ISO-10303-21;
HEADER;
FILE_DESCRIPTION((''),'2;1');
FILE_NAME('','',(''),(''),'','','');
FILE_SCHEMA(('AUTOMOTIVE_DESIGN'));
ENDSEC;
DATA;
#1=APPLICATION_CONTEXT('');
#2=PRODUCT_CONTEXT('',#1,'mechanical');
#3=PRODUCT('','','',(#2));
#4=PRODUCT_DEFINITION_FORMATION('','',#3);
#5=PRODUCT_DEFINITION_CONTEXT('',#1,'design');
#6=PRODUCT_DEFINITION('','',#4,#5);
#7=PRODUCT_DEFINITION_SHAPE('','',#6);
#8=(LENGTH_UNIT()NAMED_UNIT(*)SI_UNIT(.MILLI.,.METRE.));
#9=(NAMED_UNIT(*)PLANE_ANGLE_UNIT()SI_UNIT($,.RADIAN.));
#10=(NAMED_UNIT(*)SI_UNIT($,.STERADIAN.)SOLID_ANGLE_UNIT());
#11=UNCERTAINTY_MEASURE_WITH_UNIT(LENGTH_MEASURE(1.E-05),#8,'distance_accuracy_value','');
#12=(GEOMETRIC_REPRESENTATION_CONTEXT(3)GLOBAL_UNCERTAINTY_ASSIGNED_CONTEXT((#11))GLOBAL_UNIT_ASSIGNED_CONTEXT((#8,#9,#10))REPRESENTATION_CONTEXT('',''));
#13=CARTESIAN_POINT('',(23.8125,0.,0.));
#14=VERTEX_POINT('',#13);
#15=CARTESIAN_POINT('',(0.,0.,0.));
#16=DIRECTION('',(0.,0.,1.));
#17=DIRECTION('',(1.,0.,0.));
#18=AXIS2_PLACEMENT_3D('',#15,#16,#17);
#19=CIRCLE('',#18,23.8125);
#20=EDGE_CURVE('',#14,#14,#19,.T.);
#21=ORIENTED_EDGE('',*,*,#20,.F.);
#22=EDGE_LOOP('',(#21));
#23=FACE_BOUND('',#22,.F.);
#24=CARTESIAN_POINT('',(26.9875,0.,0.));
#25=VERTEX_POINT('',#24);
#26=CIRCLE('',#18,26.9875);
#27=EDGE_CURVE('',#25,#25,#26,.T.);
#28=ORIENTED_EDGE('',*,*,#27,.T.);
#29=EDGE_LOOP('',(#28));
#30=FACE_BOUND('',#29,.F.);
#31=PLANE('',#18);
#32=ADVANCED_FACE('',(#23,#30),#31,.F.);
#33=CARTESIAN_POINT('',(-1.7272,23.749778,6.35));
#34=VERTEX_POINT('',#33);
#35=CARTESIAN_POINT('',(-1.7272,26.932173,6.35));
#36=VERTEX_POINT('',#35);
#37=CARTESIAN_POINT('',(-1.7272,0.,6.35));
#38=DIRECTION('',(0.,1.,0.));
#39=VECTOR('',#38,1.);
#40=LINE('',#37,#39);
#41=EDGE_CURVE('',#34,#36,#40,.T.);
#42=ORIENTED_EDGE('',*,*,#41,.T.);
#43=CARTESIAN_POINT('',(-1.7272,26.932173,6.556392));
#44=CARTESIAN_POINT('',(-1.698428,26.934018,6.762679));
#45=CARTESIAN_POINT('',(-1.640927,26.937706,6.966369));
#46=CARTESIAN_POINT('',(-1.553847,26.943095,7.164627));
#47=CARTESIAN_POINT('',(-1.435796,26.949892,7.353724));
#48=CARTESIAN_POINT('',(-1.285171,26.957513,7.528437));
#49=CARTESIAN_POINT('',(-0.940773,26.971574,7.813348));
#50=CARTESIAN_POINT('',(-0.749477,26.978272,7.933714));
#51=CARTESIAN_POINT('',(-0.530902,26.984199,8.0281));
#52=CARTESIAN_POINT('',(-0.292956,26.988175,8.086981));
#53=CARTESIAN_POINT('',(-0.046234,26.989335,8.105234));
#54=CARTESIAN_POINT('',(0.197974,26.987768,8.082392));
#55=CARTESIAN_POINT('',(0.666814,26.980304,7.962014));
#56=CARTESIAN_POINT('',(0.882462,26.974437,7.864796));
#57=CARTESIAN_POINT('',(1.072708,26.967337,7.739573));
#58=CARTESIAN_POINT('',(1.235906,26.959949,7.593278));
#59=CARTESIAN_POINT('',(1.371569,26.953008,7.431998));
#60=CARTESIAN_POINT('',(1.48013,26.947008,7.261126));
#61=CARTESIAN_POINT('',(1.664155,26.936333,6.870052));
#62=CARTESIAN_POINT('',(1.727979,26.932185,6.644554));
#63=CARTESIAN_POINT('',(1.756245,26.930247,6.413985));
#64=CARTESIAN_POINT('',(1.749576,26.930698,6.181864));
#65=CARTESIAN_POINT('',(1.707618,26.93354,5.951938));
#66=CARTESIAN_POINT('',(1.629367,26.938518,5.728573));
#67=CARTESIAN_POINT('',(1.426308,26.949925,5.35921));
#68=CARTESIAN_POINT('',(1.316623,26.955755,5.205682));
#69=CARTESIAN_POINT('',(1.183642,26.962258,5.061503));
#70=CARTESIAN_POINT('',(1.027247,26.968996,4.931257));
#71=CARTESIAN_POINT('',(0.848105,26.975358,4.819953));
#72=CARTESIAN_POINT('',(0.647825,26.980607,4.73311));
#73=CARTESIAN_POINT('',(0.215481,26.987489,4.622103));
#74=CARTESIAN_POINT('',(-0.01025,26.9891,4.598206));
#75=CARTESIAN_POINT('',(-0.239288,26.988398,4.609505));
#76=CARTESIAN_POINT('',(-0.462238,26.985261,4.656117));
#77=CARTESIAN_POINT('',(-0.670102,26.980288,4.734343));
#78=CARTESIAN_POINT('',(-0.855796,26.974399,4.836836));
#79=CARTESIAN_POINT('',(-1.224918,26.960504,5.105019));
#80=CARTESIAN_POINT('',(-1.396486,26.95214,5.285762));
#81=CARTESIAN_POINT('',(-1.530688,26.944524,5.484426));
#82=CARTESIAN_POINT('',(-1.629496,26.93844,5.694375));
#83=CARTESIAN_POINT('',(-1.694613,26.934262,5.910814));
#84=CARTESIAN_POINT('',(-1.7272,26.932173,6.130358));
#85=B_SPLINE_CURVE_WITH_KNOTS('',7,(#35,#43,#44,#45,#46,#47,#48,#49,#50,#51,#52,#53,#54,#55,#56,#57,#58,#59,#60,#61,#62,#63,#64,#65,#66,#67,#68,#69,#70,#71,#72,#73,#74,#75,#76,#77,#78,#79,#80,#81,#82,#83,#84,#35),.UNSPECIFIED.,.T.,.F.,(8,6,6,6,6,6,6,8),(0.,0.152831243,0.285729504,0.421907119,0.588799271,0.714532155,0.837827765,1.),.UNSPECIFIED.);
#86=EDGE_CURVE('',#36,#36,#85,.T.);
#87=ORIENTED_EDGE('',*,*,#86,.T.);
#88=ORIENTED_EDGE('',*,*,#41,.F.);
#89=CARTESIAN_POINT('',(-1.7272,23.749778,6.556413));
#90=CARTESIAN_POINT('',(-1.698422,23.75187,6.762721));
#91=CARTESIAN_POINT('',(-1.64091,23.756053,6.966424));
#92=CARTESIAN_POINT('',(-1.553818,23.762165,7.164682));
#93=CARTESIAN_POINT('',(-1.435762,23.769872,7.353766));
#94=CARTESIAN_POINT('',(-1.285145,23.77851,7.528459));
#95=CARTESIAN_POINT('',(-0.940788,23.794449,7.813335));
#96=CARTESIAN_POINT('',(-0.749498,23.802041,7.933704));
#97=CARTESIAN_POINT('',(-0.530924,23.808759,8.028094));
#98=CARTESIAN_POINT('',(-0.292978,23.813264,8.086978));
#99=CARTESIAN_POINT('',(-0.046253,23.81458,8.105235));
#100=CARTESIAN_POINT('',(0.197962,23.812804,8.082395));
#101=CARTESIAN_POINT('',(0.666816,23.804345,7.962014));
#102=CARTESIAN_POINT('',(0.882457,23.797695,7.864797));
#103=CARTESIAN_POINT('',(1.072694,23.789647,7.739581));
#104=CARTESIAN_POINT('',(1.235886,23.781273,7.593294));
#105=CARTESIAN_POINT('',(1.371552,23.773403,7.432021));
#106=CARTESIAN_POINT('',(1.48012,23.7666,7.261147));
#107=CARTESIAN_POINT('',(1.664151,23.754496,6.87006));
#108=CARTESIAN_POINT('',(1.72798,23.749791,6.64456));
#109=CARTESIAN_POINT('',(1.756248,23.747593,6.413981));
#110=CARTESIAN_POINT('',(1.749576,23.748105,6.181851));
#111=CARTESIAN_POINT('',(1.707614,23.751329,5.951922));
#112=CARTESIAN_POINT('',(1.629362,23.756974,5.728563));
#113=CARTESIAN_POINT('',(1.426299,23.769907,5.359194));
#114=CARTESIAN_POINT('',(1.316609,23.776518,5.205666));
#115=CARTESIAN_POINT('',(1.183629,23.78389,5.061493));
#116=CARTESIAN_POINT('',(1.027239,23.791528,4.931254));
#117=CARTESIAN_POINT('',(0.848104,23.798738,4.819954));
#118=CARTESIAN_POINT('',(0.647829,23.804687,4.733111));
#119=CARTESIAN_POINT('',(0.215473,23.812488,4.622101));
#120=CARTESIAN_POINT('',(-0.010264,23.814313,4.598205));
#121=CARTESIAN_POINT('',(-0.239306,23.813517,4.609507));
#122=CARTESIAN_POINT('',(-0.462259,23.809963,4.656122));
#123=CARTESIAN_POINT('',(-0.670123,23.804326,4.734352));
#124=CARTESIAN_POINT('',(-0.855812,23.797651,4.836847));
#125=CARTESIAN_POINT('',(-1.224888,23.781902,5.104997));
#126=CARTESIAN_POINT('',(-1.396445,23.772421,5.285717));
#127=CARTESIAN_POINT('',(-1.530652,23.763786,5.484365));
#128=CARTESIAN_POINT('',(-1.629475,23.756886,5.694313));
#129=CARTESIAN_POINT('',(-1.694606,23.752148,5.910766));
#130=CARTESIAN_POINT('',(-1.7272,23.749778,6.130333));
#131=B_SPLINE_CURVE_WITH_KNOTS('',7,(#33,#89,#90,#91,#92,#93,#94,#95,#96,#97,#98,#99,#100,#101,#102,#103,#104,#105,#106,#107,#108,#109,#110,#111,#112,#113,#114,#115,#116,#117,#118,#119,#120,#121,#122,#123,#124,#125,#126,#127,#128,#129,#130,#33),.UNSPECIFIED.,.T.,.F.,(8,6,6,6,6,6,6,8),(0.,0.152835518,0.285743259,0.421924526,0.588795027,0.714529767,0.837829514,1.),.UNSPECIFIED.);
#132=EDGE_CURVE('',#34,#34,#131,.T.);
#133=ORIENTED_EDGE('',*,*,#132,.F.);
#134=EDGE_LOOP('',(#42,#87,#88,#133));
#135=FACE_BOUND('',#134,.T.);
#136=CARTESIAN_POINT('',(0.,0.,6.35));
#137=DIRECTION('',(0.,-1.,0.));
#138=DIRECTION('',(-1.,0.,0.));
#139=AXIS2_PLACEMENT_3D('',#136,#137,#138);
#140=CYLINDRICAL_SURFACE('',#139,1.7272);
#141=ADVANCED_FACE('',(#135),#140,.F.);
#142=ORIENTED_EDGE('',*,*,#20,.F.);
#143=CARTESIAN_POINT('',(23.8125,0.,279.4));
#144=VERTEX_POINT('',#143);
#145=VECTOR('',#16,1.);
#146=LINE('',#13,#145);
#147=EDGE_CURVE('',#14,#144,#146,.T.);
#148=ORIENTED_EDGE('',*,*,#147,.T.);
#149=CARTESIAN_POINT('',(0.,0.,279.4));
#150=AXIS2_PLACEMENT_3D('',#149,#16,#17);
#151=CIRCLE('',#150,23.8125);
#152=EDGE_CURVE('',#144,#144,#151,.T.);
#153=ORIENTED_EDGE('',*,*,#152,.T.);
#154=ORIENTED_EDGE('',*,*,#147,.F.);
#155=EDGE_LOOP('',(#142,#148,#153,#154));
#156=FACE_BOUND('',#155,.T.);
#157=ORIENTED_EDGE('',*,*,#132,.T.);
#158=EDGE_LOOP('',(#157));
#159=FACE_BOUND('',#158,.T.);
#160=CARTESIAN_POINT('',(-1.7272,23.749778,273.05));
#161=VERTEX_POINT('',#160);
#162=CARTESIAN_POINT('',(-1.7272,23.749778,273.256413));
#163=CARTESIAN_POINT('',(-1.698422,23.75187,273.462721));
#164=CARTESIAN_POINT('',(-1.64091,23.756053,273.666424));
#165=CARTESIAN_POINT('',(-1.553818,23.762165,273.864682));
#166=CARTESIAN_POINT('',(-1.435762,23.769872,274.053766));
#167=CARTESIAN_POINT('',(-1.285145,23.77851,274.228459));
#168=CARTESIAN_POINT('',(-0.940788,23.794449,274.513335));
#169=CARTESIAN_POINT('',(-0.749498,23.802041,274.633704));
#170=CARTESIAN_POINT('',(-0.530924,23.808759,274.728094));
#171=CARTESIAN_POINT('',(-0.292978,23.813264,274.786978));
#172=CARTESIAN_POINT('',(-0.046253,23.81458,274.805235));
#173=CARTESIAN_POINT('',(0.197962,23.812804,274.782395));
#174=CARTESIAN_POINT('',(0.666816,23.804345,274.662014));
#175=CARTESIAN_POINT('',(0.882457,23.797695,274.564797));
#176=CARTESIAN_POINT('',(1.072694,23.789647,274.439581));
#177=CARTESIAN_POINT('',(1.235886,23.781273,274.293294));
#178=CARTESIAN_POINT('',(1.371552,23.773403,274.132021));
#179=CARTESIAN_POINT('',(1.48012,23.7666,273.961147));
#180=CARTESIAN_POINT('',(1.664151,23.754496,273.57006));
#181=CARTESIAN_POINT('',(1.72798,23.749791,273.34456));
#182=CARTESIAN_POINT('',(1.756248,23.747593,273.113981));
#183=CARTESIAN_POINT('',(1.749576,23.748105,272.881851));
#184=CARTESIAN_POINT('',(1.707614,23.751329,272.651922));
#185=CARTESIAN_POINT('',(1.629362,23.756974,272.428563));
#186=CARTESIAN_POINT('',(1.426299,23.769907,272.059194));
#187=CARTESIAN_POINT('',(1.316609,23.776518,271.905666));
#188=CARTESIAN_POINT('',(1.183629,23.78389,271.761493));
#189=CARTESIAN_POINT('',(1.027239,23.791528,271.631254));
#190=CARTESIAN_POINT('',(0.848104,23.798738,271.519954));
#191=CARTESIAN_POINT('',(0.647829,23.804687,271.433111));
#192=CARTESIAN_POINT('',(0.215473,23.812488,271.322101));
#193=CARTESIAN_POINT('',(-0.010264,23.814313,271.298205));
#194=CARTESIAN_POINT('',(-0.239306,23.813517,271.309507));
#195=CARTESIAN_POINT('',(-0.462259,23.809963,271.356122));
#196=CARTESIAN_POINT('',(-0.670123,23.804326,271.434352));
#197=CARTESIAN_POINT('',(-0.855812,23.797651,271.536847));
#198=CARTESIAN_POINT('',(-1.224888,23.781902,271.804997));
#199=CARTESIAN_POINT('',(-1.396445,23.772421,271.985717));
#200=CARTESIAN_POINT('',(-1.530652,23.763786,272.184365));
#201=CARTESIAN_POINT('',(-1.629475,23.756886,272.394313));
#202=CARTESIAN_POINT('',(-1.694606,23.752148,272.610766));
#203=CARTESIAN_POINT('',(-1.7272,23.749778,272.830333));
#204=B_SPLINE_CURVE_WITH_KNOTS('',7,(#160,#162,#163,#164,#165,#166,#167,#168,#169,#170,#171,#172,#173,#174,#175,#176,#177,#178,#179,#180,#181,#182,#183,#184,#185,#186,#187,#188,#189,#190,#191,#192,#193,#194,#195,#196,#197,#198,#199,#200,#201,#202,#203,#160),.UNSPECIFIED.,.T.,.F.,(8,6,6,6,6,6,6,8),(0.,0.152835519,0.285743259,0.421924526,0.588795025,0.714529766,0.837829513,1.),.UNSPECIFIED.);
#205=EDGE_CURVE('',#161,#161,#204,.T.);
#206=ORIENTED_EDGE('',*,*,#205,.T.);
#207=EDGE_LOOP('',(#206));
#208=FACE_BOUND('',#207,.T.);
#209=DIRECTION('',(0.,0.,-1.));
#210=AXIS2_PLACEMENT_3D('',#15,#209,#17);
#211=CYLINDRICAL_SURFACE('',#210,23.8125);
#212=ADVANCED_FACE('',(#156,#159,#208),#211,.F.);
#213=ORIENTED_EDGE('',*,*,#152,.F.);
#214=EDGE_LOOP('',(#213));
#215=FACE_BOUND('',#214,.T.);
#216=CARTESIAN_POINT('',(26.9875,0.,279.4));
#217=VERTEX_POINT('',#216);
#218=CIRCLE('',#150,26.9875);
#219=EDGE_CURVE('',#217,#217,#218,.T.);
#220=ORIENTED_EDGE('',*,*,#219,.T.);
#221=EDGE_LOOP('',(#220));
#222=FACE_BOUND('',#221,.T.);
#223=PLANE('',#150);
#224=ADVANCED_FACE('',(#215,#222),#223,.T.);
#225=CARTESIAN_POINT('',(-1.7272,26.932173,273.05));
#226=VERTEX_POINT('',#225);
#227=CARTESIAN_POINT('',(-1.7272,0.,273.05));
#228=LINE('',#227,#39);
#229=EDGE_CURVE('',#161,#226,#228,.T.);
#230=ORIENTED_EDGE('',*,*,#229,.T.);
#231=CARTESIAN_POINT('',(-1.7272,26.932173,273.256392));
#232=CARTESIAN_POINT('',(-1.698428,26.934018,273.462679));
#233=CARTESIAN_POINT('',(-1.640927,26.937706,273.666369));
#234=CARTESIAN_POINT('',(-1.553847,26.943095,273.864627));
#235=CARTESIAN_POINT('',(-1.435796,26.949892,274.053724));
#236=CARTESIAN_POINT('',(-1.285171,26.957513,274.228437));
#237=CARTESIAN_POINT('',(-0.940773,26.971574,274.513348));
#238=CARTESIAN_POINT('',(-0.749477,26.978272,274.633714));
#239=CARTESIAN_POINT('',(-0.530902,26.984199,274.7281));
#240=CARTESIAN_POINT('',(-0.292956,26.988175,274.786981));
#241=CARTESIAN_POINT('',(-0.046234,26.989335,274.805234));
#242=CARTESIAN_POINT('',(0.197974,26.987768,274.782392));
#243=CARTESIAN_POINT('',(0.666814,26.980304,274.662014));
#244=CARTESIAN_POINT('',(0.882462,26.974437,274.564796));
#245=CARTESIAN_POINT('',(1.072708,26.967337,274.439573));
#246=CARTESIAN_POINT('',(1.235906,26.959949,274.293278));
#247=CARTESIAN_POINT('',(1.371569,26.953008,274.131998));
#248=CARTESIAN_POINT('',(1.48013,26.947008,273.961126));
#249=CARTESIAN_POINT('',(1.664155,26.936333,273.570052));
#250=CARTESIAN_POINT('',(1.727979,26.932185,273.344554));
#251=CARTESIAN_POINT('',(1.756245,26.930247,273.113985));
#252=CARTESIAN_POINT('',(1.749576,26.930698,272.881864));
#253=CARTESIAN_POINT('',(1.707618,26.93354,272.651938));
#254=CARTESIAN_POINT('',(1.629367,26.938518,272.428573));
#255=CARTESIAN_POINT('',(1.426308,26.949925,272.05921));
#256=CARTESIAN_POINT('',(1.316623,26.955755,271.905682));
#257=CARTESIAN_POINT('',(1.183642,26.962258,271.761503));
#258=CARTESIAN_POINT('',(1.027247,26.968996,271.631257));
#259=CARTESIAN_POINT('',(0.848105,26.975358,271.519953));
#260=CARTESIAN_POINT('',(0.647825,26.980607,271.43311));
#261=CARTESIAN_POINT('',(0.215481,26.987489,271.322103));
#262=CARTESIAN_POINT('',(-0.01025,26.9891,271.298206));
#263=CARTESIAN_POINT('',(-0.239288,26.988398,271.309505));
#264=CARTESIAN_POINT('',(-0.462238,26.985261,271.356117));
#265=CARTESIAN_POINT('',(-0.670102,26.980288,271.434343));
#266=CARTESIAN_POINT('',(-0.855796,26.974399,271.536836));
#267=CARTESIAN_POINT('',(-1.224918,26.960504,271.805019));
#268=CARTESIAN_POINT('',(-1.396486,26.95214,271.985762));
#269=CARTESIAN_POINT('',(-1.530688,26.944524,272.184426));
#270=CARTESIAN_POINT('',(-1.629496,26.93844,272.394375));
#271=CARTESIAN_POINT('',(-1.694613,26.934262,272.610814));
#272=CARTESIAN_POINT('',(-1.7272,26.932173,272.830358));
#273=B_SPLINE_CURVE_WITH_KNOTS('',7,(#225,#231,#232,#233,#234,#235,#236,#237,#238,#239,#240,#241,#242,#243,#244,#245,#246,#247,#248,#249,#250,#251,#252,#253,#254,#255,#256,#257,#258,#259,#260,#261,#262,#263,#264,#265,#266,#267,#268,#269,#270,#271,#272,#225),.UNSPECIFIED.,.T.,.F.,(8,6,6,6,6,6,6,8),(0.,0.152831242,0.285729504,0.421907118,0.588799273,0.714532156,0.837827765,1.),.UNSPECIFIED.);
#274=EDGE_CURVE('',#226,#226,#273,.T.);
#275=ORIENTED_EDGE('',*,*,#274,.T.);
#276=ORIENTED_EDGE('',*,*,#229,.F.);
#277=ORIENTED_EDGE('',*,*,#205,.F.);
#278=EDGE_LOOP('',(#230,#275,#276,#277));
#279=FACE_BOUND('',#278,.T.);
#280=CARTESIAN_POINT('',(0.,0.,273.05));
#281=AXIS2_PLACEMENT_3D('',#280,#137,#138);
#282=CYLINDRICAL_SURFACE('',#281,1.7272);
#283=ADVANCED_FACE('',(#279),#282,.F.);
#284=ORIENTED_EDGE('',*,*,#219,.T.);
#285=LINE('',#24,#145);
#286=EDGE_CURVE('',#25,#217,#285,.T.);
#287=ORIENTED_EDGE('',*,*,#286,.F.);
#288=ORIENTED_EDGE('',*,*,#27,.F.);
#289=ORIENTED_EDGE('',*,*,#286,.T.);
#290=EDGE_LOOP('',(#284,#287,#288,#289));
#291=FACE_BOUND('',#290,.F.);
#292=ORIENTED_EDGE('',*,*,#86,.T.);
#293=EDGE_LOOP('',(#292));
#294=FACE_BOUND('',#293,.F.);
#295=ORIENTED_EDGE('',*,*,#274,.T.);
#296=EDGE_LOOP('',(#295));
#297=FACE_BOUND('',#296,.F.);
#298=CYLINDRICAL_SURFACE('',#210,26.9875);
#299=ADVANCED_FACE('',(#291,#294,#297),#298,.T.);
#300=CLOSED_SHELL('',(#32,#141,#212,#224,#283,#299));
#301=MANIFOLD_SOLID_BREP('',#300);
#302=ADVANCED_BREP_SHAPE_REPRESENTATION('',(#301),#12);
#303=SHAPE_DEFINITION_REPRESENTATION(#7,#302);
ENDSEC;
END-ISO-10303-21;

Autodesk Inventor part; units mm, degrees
ref_plane "YZ Plane" through (0, 0, 0) normal (1, 0, 0) x (0, 1, 0)
ref_plane "XZ Plane" through (0, 0, 0) normal (0, 1, 0) x (-1, 0, 0)
ref_plane "XY Plane" through (0, 0, 0) normal (0, 0, 1) x (1, 0, 0)
sketch "Sketch1" plane through (0, 0, 0) normal (0, 0, 1) x (1, 0, 0)
  circle A0 centre (0, 0) radius 26.9875
  circle A1 centre (0, 0) radius 23.8125
  dimension "d0" = 47.625
  dimension "d1" = 53.975
extrude "Extrusion1" add sketch "Sketch1" along normal blind 279.4
sketch "Sketch2" plane through (0, 0, 0) normal (0, 1, 0) x (-1, 0, 0)
  line L0 (-26.9875, 0) -> (-26.9875, 279.4) projected
  line L1 (-26.9875, 0) -> (26.9875, 0) projected
  line L2 (26.9875, 0) -> (26.9875, 279.4) projected
  line L3 (-26.9875, 279.4) -> (26.9875, 279.4) projected
  circle A0 centre (0, 6.35) radius 1.7272
  circle A1 centre (0, 273.05) radius 1.7272
  point P0 (0, 0)
  point P1 (0, 279.4)
  point P2 (0, 0)
  dimension "d4" = 6.35
  dimension "d5" = 6.35
  dimension "d6" = 3.4544
extrude "Extrusion2" cut sketch "Sketch2" along normal through all contours A0 | A1
properties part number "8 ball paint roller"
